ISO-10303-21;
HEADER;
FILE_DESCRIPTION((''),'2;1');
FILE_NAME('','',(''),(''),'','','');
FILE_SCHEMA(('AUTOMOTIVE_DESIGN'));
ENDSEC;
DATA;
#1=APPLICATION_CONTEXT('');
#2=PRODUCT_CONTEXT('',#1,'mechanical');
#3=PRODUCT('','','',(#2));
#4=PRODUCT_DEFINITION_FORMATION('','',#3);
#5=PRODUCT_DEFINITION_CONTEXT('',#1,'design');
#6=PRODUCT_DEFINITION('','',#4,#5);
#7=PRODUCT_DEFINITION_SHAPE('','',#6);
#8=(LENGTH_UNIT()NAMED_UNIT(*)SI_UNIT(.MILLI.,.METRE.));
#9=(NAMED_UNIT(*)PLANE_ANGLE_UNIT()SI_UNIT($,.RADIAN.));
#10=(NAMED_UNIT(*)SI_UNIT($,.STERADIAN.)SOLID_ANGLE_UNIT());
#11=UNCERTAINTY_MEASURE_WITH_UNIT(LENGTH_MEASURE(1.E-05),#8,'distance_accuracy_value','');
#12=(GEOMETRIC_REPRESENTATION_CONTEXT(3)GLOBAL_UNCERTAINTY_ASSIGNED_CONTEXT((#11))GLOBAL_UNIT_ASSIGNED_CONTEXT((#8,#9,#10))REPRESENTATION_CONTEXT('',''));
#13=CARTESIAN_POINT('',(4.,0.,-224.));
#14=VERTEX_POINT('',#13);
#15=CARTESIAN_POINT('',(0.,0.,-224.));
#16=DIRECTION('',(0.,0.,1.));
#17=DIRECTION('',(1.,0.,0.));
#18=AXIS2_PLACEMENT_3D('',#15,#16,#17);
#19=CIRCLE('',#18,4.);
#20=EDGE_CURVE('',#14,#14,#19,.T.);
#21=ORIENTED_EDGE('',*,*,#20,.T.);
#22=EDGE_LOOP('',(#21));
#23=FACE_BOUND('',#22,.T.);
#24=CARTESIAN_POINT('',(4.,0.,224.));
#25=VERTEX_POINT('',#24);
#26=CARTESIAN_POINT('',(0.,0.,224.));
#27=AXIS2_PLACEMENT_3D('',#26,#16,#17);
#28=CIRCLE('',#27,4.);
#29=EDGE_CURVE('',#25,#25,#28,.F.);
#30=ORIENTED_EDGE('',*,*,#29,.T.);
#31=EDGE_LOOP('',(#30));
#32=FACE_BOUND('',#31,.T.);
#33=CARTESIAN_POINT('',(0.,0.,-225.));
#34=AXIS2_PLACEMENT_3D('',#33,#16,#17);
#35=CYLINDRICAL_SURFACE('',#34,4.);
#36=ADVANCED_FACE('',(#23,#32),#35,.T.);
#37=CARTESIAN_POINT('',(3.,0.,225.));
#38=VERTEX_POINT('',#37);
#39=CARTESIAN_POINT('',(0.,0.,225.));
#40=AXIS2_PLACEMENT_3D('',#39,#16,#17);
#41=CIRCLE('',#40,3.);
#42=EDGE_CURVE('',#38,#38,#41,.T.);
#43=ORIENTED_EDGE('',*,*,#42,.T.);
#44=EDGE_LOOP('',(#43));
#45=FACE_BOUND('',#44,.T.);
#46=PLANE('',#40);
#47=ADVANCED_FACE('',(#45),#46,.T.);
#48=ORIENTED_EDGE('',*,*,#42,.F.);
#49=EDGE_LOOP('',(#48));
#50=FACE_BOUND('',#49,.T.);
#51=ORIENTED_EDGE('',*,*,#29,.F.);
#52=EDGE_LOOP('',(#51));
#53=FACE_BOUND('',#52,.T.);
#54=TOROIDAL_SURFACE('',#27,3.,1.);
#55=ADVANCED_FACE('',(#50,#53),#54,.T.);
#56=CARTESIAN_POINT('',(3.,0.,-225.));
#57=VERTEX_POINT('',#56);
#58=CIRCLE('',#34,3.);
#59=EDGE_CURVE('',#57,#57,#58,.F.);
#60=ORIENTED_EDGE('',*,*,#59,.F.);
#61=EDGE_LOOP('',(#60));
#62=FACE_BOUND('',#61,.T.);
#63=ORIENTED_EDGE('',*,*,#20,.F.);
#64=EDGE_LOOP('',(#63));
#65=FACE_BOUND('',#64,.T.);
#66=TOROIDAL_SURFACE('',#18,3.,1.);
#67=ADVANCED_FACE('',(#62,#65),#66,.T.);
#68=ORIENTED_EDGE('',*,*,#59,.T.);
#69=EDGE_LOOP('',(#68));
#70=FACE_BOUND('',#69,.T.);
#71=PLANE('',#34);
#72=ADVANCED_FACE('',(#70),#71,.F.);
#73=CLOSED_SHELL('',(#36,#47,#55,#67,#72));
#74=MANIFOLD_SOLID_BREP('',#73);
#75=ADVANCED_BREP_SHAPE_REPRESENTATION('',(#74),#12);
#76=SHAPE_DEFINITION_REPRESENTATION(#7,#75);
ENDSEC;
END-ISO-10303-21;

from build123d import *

# Parameters (mm, degrees)
EXTRUDE2_DEPTH      = 225
EXTRUDE2_DEPTH_BACK = 225
SKETCH1_R           = 4
FILLET2_R           = 1
FILLET3_R           = 1


with BuildPart() as part:
    # Sketch1 → Extrude2 (new, two sides: drawn at the far end of the back side and taken through both)
    with BuildSketch(Plane.XY.offset(-EXTRUDE2_DEPTH_BACK)):
        Circle(SKETCH1_R)
    extrude(amount=EXTRUDE2_DEPTH + EXTRUDE2_DEPTH_BACK)

    # Fillet2
    fillet2_edges = [part.edges().sort_by_distance(p)[0] for p in [
        (-4, 0, -225),
    ]]
    fillet(fillet2_edges, radius=FILLET2_R)

    # Fillet3
    fillet3_edges = [part.edges().sort_by_distance(p)[0] for p in [
        (-4, 0, 225),
    ]]
    fillet(fillet3_edges, radius=FILLET3_R)


solid = part.part
